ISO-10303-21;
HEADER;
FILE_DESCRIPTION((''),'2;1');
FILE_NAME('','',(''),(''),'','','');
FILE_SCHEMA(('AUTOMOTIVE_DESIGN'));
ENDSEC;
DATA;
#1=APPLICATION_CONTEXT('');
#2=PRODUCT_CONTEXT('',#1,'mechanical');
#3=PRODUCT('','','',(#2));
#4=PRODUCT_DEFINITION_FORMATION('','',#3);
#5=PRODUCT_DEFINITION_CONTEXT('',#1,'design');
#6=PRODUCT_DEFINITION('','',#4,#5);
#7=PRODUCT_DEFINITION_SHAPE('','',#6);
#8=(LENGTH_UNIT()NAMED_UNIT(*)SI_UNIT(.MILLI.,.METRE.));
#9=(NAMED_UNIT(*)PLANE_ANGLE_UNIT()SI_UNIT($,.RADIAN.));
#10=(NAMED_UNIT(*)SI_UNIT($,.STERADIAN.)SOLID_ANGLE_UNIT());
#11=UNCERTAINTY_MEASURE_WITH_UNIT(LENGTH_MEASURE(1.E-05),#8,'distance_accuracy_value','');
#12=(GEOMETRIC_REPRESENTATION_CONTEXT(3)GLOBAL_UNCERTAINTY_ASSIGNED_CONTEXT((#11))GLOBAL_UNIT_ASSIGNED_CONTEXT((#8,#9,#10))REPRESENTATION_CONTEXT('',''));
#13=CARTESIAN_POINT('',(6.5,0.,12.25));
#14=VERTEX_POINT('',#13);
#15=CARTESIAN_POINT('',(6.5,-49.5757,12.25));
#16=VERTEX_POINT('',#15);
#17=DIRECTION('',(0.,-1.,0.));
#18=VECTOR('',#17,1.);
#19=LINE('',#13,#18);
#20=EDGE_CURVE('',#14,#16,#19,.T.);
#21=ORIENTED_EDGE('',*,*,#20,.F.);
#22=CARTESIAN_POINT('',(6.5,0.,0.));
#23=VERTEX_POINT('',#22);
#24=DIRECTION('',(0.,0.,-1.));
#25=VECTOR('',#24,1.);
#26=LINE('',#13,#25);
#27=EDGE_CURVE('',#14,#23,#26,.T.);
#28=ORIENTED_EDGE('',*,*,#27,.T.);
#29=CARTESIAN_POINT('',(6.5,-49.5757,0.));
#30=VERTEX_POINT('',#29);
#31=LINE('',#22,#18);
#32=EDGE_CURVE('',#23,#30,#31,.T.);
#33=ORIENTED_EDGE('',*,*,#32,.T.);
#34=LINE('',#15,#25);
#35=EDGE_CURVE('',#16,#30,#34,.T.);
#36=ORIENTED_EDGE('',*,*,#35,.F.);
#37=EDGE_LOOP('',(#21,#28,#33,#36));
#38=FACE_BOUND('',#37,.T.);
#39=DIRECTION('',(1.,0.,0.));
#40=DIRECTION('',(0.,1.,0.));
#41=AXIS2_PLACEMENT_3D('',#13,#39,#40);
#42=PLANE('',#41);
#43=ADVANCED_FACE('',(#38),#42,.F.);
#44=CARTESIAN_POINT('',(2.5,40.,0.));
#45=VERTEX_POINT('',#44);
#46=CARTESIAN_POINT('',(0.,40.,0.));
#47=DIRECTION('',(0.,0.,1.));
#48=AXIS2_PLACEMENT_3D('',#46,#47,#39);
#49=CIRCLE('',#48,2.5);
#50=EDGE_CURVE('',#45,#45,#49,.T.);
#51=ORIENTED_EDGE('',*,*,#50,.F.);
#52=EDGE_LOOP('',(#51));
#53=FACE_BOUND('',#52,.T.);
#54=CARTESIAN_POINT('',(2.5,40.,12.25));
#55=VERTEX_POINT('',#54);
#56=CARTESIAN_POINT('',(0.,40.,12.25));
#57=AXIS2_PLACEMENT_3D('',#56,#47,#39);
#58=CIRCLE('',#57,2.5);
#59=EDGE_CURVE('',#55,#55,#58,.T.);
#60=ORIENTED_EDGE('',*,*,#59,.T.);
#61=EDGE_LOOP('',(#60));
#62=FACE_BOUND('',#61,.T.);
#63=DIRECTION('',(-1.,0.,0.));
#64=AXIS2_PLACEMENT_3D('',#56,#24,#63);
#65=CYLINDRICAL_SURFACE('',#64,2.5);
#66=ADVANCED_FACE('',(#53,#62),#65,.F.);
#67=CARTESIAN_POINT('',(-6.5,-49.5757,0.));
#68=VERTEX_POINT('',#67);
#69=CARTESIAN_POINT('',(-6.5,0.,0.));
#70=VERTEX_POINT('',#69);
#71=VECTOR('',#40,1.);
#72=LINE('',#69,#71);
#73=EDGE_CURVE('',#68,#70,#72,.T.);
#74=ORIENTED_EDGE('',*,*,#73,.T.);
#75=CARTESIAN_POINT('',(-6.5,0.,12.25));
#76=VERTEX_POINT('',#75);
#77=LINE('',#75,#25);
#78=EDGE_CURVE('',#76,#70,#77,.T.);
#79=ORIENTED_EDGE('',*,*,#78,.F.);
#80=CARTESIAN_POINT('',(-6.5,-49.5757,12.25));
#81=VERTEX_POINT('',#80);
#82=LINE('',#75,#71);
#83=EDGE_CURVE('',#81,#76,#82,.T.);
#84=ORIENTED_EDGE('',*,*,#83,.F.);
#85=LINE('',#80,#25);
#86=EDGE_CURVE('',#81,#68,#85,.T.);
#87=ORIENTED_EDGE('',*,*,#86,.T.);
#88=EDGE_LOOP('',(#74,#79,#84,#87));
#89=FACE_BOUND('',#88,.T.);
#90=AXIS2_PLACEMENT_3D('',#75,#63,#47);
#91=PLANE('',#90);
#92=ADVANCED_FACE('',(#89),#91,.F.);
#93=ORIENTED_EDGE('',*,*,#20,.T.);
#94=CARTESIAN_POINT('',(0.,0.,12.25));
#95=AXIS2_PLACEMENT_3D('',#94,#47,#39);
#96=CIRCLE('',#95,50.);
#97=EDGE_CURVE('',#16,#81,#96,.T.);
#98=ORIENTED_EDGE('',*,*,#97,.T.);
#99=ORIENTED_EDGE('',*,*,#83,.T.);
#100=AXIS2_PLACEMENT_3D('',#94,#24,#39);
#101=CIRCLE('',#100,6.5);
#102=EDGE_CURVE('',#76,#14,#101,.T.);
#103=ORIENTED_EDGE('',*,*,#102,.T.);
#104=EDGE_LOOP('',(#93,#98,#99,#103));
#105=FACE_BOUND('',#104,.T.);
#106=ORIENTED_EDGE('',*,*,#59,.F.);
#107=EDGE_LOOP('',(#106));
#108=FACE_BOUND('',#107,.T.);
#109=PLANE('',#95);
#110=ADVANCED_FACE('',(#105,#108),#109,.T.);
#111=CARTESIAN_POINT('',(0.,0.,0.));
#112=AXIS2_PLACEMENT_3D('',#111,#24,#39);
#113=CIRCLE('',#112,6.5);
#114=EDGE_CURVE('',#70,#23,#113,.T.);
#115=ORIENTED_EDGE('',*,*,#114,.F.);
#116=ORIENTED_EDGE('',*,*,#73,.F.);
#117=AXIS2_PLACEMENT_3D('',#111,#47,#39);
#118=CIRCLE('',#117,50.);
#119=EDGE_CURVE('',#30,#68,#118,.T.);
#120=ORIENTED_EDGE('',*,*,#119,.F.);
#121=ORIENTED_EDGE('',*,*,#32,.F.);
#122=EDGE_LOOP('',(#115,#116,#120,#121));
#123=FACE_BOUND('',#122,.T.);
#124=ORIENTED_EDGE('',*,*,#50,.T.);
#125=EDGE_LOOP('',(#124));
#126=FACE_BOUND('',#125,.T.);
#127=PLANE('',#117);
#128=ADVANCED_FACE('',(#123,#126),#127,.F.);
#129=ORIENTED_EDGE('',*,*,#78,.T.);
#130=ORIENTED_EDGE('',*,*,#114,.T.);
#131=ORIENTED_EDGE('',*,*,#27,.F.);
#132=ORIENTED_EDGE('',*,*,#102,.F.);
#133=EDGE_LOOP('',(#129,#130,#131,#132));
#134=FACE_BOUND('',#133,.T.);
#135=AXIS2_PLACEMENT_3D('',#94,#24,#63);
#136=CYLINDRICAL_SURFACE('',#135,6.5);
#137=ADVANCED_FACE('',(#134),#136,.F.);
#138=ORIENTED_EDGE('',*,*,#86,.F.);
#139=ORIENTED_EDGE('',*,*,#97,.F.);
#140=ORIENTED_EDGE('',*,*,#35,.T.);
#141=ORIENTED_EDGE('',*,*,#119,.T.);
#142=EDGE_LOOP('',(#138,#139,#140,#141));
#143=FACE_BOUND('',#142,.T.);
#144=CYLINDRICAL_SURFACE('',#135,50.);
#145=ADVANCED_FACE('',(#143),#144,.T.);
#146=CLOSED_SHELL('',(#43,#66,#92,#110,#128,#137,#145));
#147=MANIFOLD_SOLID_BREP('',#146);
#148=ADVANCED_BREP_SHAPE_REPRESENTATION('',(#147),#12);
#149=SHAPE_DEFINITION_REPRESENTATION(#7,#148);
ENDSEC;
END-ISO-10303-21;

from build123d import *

# Parameters (mm, degrees)
ESQUISSE1_R          = 2.5
BASE_EXTRUSION_DEPTH = 12.25


with BuildPart() as part:
    # Esquisse1 → Base-Extrusion (new body)
    with BuildSketch(Plane.XY):
        with BuildLine():
            Line((-6.5, 0), (-6.5, -49.575699692))
            ThreePointArc((-6.5, -49.575699692), (0, 50), (6.5, -49.575699692))
            Line((6.5, -49.575699692), (6.5, 0))
            ThreePointArc((6.5, 0), (0, 6.5), (-6.5, 0))
        make_face()
        with Locations((0, 40)):
            Circle(ESQUISSE1_R, mode=Mode.SUBTRACT)
    extrude(amount=BASE_EXTRUSION_DEPTH)


solid = part.part
